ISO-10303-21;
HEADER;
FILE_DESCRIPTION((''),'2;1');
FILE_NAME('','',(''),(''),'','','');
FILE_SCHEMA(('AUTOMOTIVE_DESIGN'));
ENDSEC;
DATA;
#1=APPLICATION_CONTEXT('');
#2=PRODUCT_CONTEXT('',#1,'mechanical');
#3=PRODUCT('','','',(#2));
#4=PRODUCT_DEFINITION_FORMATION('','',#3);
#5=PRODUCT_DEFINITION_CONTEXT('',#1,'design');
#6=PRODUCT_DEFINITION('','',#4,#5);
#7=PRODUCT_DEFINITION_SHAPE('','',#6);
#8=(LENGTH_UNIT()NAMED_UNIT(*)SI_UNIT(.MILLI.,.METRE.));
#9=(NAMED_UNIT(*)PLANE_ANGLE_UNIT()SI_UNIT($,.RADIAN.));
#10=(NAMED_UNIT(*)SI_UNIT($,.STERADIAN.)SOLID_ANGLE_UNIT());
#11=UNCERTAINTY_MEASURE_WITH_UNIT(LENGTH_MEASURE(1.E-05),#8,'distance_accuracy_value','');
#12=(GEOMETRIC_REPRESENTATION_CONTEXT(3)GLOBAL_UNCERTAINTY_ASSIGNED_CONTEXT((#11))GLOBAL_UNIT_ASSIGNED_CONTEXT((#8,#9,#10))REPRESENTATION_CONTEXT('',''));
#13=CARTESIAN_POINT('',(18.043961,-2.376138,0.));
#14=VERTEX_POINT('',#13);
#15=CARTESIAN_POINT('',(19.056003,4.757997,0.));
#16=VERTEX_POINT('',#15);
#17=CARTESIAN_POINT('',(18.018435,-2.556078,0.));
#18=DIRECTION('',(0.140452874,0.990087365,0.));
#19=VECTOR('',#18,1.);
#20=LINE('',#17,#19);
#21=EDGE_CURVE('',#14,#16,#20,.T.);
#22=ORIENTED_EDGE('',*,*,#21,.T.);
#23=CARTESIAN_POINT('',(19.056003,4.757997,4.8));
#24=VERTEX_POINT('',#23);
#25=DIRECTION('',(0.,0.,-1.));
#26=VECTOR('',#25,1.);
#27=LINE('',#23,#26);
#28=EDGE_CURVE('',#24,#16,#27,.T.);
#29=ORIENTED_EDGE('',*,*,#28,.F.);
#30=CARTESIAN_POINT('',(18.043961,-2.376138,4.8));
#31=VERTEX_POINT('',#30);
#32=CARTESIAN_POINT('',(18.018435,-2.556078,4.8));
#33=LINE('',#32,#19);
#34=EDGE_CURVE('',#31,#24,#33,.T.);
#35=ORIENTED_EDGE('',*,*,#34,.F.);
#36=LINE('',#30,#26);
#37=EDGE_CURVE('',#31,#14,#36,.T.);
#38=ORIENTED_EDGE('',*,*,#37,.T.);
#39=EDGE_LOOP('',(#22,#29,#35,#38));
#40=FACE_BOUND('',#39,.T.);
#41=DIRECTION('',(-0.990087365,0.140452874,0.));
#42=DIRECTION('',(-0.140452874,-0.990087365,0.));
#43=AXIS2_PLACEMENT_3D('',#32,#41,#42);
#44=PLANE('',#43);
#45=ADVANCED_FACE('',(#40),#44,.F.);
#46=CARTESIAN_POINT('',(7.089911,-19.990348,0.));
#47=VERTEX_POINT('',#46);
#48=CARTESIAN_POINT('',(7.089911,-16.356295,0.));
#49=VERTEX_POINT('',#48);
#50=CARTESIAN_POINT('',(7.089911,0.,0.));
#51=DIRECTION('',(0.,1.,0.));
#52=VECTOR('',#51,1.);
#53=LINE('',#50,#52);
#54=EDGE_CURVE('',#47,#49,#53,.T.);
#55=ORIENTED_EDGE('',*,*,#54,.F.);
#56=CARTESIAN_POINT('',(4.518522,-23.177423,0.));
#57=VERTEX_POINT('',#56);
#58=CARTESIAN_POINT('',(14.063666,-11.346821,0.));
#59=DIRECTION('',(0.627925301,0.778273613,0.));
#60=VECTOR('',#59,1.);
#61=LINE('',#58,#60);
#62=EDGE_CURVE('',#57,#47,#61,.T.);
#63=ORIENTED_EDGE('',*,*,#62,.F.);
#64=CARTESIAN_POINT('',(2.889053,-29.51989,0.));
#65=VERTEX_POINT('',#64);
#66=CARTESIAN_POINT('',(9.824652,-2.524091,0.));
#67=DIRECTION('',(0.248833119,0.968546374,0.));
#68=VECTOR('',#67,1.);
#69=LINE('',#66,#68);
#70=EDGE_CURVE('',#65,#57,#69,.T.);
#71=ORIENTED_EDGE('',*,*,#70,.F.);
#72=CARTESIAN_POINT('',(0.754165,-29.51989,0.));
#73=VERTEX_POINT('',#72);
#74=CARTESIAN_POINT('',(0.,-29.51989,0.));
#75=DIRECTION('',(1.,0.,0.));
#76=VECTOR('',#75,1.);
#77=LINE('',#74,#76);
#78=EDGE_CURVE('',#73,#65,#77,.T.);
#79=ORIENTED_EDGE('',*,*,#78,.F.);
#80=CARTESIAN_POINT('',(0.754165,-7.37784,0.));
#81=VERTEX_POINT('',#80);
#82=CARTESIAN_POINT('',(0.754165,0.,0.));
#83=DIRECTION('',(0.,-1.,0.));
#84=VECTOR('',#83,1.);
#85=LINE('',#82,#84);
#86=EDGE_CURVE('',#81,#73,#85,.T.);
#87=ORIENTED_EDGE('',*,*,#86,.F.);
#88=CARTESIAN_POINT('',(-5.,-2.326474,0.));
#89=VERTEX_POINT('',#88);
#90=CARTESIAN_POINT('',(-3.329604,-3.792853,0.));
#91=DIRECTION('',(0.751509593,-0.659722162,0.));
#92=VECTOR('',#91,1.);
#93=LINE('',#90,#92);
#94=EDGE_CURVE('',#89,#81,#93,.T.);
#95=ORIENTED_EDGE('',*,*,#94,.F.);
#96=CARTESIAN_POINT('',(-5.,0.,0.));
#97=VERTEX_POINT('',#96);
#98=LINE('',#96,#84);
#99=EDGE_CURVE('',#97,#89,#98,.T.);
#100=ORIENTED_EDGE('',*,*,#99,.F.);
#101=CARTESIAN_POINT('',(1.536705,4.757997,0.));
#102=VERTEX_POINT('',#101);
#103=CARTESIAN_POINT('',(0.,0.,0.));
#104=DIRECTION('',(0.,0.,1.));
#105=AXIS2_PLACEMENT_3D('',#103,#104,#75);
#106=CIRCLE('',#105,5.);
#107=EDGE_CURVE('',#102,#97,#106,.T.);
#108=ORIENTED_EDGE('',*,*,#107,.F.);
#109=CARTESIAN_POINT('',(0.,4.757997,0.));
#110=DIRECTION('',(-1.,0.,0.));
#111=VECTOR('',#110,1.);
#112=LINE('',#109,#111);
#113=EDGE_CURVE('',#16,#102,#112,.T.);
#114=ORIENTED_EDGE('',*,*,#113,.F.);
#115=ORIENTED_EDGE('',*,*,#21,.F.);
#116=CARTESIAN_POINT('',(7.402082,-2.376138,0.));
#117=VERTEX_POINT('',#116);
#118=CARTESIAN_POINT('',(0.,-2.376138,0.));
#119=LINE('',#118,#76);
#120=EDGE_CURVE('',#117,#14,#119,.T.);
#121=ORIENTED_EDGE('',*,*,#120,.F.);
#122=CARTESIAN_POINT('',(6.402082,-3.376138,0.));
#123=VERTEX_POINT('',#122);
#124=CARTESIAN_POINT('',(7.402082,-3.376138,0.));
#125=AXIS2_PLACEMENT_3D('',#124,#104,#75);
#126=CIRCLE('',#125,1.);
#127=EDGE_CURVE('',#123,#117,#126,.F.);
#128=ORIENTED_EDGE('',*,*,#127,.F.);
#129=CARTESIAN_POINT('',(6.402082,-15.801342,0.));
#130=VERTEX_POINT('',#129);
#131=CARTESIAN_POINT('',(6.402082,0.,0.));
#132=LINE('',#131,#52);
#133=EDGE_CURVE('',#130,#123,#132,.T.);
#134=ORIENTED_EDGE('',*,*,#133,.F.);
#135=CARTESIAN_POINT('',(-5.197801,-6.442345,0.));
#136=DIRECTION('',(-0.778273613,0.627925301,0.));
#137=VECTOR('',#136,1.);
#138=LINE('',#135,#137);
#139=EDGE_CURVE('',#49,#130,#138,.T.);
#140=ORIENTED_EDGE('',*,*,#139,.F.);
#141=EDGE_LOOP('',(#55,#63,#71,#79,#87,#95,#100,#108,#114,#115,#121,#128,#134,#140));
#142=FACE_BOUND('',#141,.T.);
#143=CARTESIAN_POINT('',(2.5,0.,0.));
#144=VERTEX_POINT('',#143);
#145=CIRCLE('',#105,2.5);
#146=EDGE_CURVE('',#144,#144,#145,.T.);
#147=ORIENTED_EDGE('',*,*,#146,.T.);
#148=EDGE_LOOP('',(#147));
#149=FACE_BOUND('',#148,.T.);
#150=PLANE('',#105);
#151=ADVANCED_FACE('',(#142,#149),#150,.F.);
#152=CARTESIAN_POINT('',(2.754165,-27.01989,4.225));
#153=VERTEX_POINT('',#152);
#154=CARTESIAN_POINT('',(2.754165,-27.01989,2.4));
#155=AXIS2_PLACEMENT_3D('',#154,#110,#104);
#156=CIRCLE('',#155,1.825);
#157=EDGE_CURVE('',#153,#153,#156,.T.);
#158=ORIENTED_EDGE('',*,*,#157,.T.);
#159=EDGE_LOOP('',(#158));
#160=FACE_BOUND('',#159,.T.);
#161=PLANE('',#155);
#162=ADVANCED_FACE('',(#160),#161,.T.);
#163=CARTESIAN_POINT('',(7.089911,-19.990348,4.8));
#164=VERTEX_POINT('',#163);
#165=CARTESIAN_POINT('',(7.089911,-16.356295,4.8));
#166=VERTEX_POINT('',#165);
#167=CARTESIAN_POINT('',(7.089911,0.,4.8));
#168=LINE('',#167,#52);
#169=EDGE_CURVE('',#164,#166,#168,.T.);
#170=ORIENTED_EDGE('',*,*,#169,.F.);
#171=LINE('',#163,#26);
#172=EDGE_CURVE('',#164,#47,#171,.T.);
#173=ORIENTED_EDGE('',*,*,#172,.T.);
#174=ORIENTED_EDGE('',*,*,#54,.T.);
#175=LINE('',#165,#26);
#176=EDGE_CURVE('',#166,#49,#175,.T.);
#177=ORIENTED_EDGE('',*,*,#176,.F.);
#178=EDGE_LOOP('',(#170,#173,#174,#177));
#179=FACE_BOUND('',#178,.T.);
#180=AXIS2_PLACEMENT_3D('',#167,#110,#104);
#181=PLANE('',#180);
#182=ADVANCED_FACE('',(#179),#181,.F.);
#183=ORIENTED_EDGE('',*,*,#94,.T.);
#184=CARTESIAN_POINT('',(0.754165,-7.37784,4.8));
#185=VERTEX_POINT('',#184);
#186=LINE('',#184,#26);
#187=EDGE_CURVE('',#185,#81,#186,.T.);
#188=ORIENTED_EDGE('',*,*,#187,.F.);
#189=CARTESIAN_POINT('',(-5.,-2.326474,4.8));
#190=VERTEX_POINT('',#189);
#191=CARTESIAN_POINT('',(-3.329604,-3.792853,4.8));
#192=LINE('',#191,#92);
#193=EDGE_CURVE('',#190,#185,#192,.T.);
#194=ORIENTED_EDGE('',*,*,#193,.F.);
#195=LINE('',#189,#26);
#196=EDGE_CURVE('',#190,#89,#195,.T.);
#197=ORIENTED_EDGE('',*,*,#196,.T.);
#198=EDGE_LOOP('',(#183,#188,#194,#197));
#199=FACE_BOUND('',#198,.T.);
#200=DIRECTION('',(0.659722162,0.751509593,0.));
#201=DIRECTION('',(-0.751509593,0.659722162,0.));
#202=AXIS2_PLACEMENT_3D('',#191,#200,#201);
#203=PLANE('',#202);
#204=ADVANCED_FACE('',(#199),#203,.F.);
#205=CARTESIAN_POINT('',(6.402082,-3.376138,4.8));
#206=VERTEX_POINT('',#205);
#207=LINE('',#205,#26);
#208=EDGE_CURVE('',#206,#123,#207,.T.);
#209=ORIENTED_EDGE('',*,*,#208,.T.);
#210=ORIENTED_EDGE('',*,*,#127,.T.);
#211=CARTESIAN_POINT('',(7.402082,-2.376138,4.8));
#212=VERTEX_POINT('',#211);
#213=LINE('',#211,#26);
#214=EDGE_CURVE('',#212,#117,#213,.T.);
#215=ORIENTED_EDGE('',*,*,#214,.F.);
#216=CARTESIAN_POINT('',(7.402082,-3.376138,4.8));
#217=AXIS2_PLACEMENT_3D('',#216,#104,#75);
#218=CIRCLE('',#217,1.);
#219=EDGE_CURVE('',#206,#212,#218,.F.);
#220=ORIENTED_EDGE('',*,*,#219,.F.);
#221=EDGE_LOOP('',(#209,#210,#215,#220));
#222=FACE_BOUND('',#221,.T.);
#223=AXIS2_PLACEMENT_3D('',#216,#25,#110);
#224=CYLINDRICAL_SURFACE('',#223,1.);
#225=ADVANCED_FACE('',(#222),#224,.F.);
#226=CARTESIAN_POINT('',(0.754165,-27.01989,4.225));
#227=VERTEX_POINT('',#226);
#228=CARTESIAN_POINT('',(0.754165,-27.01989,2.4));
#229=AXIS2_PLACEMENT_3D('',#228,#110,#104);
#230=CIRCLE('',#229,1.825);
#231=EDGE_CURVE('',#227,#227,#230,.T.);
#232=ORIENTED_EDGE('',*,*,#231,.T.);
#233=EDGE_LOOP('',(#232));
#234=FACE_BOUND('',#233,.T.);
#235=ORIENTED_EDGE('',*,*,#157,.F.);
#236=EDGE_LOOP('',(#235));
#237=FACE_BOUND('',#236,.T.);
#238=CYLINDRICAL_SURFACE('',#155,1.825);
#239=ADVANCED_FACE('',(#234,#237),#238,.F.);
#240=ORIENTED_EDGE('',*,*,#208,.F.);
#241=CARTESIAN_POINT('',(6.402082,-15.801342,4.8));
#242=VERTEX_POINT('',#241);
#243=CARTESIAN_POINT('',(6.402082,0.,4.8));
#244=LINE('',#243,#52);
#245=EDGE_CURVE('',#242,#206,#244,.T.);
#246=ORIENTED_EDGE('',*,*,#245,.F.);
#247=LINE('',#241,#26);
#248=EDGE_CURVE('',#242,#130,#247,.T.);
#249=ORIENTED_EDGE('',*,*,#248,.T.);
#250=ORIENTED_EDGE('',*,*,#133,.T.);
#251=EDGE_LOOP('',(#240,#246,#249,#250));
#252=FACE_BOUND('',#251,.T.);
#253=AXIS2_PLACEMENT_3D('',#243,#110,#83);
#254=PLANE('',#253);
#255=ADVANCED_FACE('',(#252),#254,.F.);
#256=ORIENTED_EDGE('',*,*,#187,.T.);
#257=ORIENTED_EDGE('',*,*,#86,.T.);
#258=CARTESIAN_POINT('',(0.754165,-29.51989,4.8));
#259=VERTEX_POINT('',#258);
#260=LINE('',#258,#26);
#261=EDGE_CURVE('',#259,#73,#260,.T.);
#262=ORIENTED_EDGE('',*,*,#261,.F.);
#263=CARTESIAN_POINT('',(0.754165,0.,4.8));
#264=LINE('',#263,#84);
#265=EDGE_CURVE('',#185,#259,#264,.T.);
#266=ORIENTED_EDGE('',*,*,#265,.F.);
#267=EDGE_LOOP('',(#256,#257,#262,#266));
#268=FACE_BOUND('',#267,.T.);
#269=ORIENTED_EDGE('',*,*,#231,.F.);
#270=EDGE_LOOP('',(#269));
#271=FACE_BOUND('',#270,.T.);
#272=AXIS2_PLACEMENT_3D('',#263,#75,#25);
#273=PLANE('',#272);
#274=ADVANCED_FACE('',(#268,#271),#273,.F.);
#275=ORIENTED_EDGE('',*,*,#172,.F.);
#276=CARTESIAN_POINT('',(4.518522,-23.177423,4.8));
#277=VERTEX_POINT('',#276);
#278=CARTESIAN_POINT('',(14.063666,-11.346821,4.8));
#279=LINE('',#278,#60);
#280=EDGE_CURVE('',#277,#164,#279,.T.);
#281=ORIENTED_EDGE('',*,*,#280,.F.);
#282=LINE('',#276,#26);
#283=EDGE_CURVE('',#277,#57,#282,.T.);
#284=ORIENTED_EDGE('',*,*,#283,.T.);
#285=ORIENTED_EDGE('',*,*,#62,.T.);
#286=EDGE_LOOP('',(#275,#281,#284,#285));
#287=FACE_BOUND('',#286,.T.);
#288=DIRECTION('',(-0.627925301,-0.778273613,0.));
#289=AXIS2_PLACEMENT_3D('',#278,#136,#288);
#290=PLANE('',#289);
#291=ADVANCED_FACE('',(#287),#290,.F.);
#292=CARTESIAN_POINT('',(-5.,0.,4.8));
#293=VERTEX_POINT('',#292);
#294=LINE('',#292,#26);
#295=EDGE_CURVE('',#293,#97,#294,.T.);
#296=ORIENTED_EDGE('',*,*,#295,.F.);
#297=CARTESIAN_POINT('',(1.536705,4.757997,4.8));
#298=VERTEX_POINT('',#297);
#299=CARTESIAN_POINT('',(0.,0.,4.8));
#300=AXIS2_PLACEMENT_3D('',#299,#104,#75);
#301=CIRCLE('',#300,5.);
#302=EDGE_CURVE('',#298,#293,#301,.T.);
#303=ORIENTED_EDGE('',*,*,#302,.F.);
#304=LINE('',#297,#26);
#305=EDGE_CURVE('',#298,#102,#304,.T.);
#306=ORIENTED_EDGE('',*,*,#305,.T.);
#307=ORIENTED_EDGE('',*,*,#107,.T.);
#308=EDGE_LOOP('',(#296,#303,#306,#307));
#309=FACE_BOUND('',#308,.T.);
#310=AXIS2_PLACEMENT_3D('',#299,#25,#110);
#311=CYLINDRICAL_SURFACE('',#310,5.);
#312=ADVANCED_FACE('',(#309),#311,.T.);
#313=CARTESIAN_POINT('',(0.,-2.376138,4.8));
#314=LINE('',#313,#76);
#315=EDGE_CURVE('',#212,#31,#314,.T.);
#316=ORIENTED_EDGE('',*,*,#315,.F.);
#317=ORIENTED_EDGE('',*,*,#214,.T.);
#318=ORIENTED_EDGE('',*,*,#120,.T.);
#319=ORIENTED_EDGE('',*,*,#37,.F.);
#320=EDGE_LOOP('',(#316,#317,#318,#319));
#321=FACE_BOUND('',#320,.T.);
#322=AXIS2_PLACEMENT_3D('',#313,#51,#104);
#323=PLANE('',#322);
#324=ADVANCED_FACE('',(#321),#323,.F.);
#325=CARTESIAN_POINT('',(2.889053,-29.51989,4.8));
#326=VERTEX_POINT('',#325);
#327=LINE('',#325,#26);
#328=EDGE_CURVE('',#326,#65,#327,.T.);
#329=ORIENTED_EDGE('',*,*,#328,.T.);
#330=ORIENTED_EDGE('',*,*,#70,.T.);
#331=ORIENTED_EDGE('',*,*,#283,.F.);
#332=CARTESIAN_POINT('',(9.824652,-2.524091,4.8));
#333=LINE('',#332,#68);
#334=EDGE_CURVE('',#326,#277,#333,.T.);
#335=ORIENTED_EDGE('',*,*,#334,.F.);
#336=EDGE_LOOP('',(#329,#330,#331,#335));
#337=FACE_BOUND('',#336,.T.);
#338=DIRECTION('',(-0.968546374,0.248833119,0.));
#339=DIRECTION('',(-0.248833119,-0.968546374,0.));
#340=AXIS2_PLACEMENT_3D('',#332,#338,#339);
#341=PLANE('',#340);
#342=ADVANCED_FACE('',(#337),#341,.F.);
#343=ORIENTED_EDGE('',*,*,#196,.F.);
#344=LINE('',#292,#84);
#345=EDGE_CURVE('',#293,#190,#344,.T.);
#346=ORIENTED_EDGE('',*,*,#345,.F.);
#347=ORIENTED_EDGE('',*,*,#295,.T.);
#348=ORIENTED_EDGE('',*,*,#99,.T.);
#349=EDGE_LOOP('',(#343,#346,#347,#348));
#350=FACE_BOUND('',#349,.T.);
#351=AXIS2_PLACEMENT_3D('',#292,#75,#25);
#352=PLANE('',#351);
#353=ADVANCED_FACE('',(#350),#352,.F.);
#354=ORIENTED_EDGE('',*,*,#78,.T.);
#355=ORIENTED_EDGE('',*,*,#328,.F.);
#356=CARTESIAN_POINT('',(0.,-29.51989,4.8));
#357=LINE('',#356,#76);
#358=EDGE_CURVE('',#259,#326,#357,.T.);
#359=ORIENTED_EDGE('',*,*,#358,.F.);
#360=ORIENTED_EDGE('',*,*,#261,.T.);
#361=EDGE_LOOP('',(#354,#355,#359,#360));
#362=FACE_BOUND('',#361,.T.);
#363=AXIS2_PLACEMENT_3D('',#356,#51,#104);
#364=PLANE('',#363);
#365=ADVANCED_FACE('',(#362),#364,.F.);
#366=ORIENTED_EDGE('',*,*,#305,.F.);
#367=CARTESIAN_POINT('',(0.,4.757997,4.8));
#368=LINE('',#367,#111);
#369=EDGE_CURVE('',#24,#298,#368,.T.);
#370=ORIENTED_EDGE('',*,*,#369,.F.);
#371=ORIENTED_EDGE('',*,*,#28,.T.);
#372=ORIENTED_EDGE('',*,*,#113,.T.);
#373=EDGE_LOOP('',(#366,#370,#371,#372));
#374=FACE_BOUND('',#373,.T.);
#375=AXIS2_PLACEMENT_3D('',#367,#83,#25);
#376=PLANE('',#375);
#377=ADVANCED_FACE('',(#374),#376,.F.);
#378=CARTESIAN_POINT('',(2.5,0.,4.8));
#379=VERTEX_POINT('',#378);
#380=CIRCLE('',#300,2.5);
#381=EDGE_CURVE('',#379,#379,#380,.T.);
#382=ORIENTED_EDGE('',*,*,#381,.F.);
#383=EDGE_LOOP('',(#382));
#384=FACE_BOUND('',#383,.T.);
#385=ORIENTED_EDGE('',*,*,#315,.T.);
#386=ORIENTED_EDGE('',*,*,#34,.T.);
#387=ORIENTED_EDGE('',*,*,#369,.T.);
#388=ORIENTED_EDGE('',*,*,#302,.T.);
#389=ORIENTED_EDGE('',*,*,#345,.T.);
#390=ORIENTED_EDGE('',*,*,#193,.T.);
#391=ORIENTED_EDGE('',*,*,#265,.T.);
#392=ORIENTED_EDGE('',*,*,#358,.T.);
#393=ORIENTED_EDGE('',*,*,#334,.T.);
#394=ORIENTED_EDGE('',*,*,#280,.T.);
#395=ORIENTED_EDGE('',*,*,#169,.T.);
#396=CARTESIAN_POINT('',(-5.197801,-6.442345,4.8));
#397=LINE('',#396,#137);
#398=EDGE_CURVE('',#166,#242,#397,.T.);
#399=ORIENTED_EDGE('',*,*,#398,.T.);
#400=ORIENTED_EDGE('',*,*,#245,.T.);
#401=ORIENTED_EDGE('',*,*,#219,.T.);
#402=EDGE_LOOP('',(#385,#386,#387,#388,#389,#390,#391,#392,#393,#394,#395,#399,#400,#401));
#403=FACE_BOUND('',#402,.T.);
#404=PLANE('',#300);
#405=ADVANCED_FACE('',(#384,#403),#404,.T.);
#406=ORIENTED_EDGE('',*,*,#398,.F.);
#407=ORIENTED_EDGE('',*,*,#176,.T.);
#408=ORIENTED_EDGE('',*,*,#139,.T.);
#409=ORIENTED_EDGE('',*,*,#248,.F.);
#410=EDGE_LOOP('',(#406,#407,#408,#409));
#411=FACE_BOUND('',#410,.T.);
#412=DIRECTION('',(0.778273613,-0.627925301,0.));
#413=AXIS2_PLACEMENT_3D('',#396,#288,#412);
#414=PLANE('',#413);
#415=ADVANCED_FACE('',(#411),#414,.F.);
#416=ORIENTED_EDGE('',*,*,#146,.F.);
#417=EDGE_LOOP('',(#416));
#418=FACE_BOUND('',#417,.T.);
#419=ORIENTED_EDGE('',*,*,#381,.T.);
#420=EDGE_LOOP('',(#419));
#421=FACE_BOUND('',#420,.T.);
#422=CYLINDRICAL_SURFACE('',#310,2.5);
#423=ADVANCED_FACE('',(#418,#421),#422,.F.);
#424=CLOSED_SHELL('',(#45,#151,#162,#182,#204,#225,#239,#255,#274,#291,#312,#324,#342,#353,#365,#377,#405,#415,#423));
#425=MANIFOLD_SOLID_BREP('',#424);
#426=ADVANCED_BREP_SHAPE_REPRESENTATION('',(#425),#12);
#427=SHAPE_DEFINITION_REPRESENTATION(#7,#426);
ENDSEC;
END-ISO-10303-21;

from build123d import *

# Parameters (mm, degrees)
SKETCH_1_R          = 5
SKETCH_1_R_2        = 2.5
EXTRUDE_1_DEPTH     = 4.8
SKETCH_3_R          = 1.825
CUT_EXTRUDE_1_DEPTH = 2


with BuildPart() as part:
    # 스케치1 → 보스-돌출1 (new body)
    # profile 1 of 2: a face of its own
    with BuildSketch(Plane.XY):
        with BuildLine():
            ThreePointArc((5, 0), (0, -5), (-5, 0))
            Line((-5, 0), (-5, -2.326474397))
            Line((-5, -2.326474397), (0.754164722, -7.377840375))
            Line((0.754164722, -7.377840375), (0.754164722, -29.519890116))
            Line((0.754164722, -29.519890116), (2.889052882, -29.519890116))
            Line((2.889052882, -29.519890116), (4.518521564, -23.177422563))
            Line((4.518521564, -23.177422563), (7.08991094, -19.990348408))
            Line((7.08991094, -19.990348408), (7.08991094, -16.35629501))
            Line((7.08991094, -16.35629501), (6.40208237, -15.801342415))
            Line((6.40208237, -15.801342415), (6.40208237, -3.376138068))
            ThreePointArc((6.40208237, -3.376138068), (6.694975589, -2.669031287), (7.40208237, -2.376138068))
            Line((7.40208237, -2.376138068), (18.043960793, -2.376138068))
            Line((18.043960793, -2.376138068), (19.056002599, 4.757997197))
            Line((19.056002599, 4.757997197), (1.536705134, 4.757997197))
            ThreePointArc((1.536705134, 4.757997197), (4.04249463, 2.942488261), (5, 0))
        make_face()
    # profile 2 of 2: a face of its own
    with BuildSketch(Plane.XY):
        Circle(SKETCH_1_R)
        Circle(SKETCH_1_R_2, mode=Mode.SUBTRACT)
    extrude(amount=EXTRUDE_1_DEPTH)

    # 스케치3 → 컷-돌출1 (cut)
    with BuildSketch(Plane.ZY.offset(-0.754164722)):
        with Locations((2.4, -27.019890116)):
            Circle(SKETCH_3_R)
    extrude(amount=-CUT_EXTRUDE_1_DEPTH, mode=Mode.SUBTRACT)


solid = part.part
